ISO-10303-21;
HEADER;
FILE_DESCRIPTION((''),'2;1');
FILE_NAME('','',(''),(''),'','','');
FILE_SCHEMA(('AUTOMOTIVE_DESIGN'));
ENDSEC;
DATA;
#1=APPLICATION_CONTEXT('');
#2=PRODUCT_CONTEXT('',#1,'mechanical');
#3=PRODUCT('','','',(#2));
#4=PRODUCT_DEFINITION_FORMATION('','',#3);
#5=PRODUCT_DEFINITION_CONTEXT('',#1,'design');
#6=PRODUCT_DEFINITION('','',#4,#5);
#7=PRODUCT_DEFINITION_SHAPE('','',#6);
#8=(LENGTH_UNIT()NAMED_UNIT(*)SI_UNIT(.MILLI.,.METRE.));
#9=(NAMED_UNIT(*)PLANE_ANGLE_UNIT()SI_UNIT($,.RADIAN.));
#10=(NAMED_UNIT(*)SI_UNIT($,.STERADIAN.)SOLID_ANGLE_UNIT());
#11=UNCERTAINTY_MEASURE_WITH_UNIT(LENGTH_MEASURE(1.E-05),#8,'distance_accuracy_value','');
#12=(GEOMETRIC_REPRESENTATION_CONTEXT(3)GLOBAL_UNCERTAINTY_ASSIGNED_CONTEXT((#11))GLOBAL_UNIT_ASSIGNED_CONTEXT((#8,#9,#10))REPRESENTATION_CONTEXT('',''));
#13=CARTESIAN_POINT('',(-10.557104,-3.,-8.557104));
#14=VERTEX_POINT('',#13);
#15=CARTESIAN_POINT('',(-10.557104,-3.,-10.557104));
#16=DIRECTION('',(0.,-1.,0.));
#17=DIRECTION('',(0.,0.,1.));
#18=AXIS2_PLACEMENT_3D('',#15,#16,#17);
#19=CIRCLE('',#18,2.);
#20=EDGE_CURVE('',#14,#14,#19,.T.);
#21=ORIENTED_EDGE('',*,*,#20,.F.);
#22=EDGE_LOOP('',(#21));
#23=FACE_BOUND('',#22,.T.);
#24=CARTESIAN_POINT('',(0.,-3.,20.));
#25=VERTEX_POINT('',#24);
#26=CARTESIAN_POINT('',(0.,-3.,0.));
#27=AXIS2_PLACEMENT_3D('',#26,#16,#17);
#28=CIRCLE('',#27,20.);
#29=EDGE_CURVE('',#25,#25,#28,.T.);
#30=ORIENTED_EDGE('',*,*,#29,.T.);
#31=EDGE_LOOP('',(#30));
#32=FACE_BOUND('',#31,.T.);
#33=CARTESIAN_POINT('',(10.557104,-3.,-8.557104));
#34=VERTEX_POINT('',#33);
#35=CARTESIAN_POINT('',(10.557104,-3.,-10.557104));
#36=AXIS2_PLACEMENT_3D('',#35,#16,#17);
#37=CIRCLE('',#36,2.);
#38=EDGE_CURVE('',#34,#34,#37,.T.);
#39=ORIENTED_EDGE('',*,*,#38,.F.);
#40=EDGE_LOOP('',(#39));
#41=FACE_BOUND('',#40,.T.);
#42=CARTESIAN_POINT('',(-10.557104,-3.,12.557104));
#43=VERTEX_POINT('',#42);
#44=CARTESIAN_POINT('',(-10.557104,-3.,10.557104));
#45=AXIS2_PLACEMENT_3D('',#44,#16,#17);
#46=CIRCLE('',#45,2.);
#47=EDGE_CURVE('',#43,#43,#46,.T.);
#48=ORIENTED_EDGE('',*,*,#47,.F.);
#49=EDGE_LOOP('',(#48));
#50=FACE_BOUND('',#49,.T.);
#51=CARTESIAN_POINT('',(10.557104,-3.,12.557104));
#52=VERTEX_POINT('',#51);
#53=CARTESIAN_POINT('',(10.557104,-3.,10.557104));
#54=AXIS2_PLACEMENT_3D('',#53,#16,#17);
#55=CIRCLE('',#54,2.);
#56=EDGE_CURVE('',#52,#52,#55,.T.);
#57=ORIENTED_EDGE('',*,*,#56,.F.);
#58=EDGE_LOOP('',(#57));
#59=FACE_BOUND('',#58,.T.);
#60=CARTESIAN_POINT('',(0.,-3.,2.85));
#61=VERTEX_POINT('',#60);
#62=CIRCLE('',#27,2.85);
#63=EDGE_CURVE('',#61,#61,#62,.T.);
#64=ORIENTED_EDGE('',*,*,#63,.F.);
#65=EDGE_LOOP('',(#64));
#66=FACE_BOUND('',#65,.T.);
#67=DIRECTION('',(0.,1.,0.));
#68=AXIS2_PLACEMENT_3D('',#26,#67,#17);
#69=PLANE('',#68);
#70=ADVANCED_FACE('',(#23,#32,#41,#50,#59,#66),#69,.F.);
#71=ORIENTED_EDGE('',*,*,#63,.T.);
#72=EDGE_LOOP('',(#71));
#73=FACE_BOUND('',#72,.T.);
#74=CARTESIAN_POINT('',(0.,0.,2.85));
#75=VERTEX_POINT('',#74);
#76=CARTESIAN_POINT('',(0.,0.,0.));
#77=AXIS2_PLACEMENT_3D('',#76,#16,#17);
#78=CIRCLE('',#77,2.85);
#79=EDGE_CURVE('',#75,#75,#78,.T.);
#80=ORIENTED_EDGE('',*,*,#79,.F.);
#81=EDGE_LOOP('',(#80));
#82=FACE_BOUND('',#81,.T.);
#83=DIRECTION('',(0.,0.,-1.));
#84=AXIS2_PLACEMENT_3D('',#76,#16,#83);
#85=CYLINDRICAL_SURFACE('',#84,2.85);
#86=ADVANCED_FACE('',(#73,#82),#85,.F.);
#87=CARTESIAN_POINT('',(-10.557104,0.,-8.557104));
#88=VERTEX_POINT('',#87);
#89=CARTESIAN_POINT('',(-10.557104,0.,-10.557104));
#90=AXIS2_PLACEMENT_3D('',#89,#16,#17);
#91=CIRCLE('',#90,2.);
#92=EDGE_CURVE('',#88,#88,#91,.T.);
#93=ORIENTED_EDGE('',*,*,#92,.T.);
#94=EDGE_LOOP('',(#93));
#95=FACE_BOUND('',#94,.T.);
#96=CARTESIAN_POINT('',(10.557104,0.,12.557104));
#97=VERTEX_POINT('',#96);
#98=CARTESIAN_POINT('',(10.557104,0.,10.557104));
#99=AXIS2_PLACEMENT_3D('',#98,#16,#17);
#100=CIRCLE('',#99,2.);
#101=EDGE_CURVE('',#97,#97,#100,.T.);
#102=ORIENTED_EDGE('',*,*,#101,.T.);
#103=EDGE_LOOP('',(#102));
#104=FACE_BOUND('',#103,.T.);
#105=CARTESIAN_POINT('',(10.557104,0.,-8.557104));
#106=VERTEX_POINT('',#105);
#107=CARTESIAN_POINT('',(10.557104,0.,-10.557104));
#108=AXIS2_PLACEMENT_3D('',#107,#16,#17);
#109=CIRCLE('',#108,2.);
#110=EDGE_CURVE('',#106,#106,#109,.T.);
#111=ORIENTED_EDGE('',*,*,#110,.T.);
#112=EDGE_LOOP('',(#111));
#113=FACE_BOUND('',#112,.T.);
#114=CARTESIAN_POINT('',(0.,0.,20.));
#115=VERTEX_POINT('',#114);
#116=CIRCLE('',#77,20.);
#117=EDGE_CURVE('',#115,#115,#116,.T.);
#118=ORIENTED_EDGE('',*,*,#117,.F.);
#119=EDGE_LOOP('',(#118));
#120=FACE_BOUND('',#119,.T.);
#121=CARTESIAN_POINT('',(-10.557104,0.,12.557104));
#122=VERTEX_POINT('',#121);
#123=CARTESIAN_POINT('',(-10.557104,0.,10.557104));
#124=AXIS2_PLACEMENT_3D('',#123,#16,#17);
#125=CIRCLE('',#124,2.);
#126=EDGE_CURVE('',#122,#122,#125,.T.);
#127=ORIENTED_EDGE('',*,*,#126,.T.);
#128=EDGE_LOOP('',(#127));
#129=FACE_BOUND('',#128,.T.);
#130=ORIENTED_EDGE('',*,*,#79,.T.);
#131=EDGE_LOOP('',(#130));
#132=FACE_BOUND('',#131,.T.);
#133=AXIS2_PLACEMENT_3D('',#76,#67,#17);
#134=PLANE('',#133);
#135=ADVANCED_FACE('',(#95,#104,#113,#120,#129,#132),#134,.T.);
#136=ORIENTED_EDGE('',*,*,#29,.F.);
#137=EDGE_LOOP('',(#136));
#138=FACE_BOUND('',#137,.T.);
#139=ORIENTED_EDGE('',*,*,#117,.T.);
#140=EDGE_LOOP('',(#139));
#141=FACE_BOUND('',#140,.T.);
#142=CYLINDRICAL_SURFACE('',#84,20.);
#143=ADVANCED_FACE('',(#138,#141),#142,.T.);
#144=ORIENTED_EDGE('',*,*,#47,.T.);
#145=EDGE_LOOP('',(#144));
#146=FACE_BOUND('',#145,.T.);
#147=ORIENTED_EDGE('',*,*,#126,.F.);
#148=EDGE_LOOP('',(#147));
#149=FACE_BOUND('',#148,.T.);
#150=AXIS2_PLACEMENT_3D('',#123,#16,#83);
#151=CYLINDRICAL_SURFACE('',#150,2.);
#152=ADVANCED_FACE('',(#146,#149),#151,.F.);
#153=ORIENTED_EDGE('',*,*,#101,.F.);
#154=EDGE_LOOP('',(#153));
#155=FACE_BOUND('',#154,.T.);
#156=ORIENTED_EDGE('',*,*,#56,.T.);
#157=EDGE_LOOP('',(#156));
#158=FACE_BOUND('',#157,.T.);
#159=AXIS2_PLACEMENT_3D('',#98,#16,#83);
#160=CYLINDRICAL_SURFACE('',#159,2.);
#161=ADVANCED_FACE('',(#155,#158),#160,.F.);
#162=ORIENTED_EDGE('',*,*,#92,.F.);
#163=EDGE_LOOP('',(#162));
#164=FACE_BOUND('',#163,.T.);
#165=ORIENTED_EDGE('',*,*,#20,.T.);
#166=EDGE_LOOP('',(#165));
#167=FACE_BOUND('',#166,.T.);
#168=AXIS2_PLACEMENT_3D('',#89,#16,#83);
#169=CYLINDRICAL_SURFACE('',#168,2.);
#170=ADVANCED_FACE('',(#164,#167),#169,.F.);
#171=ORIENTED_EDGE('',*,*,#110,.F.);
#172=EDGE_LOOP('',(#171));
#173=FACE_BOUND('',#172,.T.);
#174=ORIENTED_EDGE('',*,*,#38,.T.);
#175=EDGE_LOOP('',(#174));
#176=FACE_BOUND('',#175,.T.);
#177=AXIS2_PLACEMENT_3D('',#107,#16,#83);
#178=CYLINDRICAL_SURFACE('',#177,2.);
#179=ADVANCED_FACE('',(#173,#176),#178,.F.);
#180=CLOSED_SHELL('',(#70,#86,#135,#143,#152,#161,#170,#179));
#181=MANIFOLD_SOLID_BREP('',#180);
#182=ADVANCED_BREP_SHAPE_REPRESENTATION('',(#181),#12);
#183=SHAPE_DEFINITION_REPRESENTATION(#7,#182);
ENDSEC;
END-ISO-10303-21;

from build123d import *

# Parameters (mm, degrees)
ESBO_O1_R                = 20
ESBO_O1_R_2              = 2.85
ESBO_O1_R_3              = 2
RESSALTO_EXTRUS_O1_DEPTH = 3


with BuildPart() as part:
    # Esboço1 → Ressalto-extrusão1 (new body)
    with BuildSketch(Plane.XZ.offset(3)):
        with Locations(Location((0, 0, 0), (0, 0, 90))):
            Circle(ESBO_O1_R)
        with Locations(Location((0, 0, 0), (0, 0, 90))):
            Circle(ESBO_O1_R_2, mode=Mode.SUBTRACT)
        with Locations(Location((10.557104243, 10.557104243, 0), (0, 0, 90))):
            Circle(ESBO_O1_R_3, mode=Mode.SUBTRACT)
        with Locations(Location((10.557104243, -10.557104243, 0), (0, 0, 90))):
            Circle(ESBO_O1_R_3, mode=Mode.SUBTRACT)
        with Locations(Location((-10.557104243, -10.557104243, 0), (0, 0, 90))):
            Circle(ESBO_O1_R_3, mode=Mode.SUBTRACT)
        with Locations(Location((-10.557104243, 10.557104243, 0), (0, 0, 90))):
            Circle(ESBO_O1_R_3, mode=Mode.SUBTRACT)
    extrude(amount=-RESSALTO_EXTRUS_O1_DEPTH)


solid = part.part
